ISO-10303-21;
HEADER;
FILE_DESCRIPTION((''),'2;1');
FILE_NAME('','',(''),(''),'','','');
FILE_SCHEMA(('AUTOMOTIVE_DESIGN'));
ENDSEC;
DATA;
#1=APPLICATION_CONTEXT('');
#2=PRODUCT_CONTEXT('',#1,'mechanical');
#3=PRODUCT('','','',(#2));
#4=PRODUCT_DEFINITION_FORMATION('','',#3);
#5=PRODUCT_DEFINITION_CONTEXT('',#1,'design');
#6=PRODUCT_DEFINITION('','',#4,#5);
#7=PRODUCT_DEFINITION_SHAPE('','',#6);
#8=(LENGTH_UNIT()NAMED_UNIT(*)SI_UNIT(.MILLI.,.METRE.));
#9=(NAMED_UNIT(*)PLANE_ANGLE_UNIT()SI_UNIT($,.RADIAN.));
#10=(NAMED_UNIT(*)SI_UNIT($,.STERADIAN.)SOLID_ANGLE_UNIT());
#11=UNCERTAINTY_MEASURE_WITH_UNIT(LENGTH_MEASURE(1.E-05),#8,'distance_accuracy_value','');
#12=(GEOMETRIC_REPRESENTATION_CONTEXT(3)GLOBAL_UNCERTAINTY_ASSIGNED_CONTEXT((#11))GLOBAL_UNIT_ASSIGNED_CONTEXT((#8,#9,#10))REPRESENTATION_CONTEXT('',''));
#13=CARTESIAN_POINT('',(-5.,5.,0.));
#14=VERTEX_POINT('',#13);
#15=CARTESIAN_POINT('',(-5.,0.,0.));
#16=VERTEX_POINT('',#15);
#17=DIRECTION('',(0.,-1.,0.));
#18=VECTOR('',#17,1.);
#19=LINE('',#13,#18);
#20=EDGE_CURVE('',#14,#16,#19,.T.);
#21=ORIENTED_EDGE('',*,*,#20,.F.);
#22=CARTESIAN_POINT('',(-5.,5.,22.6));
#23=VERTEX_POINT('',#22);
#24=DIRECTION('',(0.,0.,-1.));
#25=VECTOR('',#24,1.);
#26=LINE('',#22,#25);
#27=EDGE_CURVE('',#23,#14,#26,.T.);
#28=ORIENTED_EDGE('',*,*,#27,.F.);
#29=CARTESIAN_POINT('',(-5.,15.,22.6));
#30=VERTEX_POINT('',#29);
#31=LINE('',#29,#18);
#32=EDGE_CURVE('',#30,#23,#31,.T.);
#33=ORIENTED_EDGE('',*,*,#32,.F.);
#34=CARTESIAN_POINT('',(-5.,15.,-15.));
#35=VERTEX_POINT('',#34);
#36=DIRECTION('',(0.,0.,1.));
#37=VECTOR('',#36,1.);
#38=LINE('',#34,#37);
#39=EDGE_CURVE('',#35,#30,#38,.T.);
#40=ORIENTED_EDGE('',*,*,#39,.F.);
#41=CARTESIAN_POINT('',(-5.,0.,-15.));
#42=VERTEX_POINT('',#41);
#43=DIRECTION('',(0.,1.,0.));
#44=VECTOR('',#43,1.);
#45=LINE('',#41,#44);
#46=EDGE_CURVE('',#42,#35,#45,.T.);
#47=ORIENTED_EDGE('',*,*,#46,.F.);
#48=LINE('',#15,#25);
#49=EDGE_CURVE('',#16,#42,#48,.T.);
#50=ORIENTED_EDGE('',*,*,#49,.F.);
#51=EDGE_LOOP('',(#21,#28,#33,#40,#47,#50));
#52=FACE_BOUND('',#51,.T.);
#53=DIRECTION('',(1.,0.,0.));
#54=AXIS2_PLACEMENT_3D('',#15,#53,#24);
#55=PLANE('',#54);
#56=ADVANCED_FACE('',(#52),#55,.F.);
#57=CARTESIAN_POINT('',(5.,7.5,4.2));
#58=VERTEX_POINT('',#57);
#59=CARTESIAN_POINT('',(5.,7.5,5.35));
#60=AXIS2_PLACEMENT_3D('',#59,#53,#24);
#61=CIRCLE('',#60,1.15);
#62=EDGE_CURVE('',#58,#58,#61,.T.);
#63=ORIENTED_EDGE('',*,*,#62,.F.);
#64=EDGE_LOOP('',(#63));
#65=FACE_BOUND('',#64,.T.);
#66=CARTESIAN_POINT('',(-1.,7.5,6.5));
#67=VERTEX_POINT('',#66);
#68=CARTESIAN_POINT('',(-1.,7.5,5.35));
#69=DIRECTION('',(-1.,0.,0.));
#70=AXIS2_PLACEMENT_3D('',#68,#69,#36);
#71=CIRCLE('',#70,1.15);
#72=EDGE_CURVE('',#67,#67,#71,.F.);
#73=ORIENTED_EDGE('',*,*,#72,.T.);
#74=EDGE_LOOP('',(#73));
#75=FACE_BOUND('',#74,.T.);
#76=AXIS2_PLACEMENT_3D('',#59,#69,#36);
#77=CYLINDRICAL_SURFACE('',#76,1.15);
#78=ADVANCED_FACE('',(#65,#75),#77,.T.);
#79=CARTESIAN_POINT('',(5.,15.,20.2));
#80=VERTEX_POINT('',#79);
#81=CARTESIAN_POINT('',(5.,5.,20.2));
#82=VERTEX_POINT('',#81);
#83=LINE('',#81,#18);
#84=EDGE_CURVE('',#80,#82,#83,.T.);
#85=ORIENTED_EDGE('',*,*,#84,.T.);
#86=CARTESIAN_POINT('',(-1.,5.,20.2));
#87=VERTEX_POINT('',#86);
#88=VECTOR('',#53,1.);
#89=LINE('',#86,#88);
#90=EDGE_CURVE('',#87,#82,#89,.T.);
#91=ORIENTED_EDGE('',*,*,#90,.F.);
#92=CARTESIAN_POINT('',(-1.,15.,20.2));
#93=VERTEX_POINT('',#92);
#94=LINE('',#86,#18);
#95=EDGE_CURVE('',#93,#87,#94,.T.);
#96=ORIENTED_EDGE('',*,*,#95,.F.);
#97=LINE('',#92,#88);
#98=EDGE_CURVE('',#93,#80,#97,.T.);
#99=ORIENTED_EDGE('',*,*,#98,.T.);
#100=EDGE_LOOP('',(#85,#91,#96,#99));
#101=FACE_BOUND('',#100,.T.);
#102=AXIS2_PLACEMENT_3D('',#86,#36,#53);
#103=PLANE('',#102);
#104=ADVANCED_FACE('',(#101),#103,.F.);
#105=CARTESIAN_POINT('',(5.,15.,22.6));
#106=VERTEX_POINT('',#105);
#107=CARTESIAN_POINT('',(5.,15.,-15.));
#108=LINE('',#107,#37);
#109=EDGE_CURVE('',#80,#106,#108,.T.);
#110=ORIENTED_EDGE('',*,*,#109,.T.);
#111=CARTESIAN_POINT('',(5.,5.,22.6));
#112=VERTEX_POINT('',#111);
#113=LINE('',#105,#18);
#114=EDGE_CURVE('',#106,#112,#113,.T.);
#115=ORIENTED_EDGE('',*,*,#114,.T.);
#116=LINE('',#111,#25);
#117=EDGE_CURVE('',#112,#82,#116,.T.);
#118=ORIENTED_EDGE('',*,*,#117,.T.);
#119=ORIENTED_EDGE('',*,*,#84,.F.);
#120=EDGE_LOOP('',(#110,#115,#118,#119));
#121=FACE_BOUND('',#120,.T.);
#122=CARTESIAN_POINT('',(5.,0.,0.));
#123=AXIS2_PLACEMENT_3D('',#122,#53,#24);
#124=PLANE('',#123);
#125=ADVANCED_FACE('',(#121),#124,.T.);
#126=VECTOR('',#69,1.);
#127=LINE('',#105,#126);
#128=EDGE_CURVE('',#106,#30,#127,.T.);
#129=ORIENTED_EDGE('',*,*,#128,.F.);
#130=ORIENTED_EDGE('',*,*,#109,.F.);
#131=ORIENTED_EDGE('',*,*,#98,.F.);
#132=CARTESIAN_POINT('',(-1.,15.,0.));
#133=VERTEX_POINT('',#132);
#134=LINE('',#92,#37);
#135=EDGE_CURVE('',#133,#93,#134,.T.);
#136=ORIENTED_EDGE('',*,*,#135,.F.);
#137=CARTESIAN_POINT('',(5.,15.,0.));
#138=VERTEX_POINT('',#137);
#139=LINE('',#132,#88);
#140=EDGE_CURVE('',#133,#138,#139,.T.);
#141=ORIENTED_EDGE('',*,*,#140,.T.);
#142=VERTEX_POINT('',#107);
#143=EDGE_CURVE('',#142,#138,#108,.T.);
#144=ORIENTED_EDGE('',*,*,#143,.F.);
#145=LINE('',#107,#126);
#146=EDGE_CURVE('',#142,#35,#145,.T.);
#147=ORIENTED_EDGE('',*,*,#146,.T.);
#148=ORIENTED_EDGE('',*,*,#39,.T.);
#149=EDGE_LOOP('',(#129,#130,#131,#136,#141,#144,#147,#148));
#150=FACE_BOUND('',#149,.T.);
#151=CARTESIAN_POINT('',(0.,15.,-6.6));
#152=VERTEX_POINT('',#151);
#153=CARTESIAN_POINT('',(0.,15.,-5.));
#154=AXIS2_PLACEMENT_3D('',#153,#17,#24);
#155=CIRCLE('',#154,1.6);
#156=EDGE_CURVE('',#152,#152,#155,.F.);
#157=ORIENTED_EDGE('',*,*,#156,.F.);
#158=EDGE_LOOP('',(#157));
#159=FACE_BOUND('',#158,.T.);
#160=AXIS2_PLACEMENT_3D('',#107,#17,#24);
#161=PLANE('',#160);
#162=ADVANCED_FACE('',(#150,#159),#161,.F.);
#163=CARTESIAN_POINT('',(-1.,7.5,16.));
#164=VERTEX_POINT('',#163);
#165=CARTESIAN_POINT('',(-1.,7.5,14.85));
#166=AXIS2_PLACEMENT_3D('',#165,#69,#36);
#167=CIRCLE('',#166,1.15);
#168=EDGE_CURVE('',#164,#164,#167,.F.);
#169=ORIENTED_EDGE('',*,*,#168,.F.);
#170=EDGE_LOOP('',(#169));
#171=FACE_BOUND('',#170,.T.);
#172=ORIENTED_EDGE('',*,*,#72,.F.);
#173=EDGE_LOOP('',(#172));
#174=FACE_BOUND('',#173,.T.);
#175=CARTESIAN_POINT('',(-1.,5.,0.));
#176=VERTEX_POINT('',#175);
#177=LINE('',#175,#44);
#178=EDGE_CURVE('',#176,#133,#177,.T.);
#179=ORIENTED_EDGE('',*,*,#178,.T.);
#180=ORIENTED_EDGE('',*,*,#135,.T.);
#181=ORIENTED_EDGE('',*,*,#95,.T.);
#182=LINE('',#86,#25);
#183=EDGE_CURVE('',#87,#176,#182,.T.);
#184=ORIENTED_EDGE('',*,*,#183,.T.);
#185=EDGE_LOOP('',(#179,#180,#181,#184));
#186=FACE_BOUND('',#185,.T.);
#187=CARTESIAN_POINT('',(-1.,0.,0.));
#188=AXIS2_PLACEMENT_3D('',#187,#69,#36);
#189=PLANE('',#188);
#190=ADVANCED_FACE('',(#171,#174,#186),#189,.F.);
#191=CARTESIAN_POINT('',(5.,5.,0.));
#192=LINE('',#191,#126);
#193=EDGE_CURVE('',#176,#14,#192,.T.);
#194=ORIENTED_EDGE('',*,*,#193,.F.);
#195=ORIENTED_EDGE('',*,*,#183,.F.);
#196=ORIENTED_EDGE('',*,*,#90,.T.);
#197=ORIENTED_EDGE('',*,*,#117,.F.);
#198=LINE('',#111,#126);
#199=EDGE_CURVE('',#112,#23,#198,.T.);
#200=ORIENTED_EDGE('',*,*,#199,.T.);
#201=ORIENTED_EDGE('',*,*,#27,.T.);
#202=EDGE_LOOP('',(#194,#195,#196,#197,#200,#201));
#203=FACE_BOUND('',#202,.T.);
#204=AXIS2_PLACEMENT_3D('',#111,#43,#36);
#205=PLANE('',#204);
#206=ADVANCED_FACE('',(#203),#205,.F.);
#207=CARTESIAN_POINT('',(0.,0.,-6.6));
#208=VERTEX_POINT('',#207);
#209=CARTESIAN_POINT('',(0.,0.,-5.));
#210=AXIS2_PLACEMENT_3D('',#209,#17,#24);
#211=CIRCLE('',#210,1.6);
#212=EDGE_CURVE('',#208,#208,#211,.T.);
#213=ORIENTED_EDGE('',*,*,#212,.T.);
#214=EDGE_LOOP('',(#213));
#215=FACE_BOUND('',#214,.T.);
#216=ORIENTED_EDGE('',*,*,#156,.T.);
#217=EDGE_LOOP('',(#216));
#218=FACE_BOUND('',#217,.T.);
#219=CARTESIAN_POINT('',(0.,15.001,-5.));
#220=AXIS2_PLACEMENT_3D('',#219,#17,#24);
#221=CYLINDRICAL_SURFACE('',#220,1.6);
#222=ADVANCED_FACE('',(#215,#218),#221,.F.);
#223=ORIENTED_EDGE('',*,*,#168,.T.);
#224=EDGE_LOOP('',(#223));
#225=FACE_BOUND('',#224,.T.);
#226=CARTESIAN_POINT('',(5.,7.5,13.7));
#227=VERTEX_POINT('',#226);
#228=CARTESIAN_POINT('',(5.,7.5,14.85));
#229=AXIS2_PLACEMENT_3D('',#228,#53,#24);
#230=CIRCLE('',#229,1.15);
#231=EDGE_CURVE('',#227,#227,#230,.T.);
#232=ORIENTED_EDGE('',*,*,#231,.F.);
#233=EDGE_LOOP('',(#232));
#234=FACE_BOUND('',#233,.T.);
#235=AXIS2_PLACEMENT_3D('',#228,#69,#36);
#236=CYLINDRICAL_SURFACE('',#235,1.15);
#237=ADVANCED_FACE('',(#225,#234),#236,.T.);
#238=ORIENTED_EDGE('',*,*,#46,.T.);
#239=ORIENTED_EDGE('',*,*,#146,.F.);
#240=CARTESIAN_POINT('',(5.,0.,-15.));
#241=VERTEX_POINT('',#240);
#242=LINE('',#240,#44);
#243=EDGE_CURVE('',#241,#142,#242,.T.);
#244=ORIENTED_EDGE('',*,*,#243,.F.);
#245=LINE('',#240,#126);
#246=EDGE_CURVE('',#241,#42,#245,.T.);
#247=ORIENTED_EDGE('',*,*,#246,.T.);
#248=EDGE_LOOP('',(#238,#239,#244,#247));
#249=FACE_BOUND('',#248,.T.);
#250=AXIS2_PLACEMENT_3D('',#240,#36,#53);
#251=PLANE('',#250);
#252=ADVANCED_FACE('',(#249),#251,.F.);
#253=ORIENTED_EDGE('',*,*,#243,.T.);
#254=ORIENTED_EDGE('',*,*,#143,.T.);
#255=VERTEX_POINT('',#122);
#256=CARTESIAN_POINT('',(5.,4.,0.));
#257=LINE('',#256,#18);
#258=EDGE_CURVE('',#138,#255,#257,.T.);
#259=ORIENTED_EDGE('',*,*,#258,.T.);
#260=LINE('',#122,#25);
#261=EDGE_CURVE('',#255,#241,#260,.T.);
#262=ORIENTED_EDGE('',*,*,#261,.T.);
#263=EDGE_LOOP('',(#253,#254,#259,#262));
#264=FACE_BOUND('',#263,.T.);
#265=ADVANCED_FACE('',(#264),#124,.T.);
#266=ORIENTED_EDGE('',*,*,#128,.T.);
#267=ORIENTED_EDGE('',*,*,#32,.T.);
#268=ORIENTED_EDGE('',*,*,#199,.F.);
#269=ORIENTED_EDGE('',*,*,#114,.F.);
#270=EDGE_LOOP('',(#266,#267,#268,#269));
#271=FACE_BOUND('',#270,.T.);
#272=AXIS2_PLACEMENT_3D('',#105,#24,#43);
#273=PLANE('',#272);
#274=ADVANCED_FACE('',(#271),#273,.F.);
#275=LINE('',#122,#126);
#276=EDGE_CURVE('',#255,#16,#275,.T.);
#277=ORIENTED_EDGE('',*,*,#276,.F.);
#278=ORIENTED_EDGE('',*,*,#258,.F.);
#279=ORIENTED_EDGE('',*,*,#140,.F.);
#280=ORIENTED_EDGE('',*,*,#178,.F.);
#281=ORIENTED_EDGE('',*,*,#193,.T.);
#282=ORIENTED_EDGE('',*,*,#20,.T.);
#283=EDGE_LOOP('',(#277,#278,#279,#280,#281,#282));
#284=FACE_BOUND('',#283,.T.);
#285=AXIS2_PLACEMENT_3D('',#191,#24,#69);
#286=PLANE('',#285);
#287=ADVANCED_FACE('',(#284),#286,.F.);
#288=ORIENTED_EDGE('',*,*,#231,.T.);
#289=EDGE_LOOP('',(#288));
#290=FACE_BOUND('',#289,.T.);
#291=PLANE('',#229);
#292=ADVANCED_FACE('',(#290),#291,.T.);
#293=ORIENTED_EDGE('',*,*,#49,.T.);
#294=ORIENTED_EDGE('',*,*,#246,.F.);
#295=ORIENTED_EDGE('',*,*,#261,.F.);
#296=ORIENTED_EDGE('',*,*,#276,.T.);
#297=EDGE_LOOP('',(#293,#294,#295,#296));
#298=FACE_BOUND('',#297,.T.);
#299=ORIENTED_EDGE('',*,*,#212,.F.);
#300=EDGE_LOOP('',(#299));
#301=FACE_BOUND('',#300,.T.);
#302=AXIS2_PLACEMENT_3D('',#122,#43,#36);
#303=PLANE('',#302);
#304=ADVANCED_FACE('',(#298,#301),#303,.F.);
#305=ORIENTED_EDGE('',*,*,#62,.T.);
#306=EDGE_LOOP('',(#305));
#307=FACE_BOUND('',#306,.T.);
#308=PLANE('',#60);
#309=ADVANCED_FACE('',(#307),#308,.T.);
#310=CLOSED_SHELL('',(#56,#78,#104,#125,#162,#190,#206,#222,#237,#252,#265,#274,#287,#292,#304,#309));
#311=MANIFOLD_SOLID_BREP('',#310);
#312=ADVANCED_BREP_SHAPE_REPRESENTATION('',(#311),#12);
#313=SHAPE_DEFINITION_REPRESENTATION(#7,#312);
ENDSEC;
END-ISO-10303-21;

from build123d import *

# Parameters (mm, degrees)
EXTRUDE_1_DEPTH     = 5
SKETCH_2_W          = 20.2
SKETCH_2_H          = 10
CUT_EXTRUDE_1_DEPTH = 6
SKETCH_3_R          = 1.15
EXTRUDE_2_DEPTH     = 6
CUT_EXTRUDE_2_REACH = 17
SKETCH_5_R          = 1.6


with BuildPart() as part:
    # 草图1 → 凸台-拉伸1 (new body, symmetric)
    with BuildSketch(Plane(origin=(0, 0, 0), x_dir=(0, 0, -1), z_dir=(1, 0, 0))):
        Polygon((0, 0), (15, 0), (15, 15), (-22.6, 15), (-22.6, 5), (0, 5), (0, 4), align=None)
    extrude(amount=EXTRUDE_1_DEPTH, both=True)

    # 草图2 → 切除-拉伸1 (cut)
    with BuildSketch(Plane(origin=(5, 0, 0), x_dir=(0, 0, -1), z_dir=(1, 0, 0))):
        with Locations((-10.1, 10)):
            Rectangle(SKETCH_2_W, SKETCH_2_H)
    extrude(amount=-CUT_EXTRUDE_1_DEPTH, mode=Mode.SUBTRACT)

    # 草图3 → 凸台-拉伸2 (add)
    with BuildSketch(Plane(origin=(-1, 0, 0), x_dir=(0, 0, -1), z_dir=(1, 0, 0))):
        with Locations((-14.85, 7.5)):
            Circle(SKETCH_3_R)
        with Locations((-5.35, 7.5)):
            Circle(SKETCH_3_R)
    extrude(amount=EXTRUDE_2_DEPTH)

    # 草图5 → 切除-拉伸2 (cut, up to next)
    with BuildSketch(Plane.XZ, mode=Mode.PRIVATE) as cut_extrude_2_sk1:
        with Locations((0, -5)):
            Circle(SKETCH_5_R)
    cut_extrude_2_tool1 = extrude(cut_extrude_2_sk1.sketch, amount=-CUT_EXTRUDE_2_REACH, mode=Mode.PRIVATE) & part.part
    add(cut_extrude_2_tool1.solids().sort_by_distance((0, 0, -5))[0], mode=Mode.SUBTRACT)


solid = part.part
